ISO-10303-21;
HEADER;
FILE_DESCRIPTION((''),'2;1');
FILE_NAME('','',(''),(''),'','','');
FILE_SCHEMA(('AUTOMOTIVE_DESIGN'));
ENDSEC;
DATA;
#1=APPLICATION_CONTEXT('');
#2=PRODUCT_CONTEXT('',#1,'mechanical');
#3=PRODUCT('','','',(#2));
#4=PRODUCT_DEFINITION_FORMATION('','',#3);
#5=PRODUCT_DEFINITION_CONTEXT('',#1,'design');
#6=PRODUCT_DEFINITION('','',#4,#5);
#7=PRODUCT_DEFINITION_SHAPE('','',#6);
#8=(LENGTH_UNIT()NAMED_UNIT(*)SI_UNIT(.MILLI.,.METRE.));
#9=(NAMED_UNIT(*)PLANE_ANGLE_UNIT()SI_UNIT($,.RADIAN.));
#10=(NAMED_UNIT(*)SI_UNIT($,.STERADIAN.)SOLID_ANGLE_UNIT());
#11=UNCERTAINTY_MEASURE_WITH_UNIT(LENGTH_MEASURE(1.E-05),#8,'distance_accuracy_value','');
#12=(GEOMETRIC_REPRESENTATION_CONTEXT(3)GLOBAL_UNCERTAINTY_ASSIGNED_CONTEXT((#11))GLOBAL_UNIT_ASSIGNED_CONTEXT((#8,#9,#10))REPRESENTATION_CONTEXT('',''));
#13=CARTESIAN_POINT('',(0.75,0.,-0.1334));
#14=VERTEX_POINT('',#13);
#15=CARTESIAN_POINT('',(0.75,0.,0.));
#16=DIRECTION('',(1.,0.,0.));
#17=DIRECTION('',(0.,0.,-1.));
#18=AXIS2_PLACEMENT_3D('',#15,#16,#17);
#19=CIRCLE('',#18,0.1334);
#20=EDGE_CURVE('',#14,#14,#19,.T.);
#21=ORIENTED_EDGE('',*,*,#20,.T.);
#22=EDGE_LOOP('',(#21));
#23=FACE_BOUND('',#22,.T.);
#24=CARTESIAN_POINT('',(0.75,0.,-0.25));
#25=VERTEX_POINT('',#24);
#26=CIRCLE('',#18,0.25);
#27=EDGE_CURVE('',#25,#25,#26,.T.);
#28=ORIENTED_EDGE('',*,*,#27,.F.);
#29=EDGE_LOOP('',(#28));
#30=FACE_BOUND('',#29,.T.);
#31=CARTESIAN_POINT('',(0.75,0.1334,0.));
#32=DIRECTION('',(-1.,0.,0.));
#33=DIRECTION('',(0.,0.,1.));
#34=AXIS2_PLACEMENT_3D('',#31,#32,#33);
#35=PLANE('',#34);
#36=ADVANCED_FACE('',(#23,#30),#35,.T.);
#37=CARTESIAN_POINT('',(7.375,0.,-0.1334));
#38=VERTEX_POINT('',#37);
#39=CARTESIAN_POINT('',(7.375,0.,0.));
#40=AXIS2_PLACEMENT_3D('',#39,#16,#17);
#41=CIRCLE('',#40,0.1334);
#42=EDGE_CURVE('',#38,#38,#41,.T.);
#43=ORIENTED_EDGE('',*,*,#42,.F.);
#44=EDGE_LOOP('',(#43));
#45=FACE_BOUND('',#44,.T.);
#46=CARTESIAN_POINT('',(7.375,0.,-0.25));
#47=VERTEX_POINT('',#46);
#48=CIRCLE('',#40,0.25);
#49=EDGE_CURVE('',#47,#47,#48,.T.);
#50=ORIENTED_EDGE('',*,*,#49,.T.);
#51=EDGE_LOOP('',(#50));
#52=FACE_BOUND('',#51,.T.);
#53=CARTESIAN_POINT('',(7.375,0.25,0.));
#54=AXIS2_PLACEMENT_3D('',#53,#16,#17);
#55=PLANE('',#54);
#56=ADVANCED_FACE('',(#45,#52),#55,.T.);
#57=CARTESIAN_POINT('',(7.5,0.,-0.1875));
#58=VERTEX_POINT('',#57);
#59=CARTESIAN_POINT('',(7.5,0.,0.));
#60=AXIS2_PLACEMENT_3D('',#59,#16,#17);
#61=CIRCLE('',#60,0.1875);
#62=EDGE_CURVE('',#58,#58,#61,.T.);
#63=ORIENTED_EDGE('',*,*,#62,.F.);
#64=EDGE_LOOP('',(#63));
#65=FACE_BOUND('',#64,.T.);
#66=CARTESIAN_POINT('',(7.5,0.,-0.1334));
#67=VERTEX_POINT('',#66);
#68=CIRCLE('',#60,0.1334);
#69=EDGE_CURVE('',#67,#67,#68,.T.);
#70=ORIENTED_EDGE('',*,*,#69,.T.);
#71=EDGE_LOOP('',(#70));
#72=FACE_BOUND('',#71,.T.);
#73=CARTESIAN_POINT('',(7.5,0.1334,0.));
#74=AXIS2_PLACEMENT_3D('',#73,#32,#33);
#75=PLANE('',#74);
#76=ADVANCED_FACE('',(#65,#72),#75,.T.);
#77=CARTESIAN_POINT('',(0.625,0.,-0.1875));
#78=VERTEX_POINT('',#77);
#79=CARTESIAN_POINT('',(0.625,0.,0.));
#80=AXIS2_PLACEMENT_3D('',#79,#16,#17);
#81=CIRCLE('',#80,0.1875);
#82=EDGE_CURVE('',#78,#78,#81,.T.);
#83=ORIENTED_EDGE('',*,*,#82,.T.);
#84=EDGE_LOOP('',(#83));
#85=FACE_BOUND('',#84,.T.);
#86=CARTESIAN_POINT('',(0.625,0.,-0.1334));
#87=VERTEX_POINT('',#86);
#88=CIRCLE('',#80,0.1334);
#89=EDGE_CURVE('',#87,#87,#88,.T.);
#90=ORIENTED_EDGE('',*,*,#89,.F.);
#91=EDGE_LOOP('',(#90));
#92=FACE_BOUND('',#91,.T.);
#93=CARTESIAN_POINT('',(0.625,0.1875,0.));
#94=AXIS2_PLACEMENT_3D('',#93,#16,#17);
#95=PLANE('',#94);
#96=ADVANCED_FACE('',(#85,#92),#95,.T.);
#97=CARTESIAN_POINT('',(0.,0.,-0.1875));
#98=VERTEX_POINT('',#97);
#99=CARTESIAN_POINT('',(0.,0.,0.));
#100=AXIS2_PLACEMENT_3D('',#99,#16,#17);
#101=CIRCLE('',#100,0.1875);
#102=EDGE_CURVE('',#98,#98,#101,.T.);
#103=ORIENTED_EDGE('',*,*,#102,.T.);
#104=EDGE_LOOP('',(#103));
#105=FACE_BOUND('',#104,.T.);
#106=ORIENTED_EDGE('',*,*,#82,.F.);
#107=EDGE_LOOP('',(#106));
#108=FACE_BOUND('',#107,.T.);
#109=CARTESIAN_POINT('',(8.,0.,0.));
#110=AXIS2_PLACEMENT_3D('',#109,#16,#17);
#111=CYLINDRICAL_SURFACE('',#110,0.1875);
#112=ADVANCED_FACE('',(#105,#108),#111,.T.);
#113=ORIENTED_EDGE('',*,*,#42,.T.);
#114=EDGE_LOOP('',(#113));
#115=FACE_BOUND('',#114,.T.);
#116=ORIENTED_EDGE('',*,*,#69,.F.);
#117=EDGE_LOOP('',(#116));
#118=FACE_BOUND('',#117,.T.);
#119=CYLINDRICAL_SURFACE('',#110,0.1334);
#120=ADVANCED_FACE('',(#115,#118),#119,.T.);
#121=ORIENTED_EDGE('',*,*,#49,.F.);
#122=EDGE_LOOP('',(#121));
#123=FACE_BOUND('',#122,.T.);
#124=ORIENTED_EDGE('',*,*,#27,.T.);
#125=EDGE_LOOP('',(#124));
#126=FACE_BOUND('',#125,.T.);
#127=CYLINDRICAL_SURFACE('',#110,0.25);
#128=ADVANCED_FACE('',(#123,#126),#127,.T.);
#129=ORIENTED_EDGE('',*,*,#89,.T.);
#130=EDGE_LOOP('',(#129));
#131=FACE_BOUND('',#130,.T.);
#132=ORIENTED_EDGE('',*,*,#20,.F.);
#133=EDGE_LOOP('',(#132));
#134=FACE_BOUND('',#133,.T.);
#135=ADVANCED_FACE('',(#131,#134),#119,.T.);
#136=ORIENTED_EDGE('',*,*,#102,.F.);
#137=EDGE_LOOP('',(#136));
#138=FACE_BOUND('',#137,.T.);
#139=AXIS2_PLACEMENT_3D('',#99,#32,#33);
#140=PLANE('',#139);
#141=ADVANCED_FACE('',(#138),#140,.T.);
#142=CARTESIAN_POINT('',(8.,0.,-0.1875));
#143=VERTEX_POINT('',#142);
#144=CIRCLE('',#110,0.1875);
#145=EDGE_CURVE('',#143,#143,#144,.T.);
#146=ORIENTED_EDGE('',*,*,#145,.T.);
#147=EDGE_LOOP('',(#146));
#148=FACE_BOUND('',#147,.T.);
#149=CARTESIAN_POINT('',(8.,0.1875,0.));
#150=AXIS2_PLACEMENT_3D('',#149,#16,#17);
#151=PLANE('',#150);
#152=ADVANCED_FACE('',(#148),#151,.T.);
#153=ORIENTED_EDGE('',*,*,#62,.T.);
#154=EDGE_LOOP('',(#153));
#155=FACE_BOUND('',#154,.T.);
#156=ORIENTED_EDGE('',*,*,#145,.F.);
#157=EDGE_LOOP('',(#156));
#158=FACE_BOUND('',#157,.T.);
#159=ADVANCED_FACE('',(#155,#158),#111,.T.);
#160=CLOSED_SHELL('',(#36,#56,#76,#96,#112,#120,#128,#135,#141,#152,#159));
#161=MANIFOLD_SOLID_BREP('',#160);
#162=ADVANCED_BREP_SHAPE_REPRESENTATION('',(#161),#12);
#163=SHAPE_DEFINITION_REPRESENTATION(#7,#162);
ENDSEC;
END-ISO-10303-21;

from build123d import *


with BuildPart() as part:
    # Croquis1 → Revolución1 (revolve)
    with BuildSketch(Plane.XY, mode=Mode.PRIVATE) as revoluci_n1_sk:
        Polygon((0, 0), (0, 0.1875), (0.625, 0.1875), (0.625, 0.1334), (0.75, 0.1334), (0.75, 0.25), (7.375, 0.25), (7.375, 0.1334), (7.5, 0.1334), (7.5, 0.1875), (8, 0.1875), (8, 0), align=None)
    revolve(revoluci_n1_sk.sketch.rotate(Axis((8, 0, 0), (-1, 0, 0)), 90), axis=Axis((8, 0, 0), (-1, 0, 0)))


solid = part.part
